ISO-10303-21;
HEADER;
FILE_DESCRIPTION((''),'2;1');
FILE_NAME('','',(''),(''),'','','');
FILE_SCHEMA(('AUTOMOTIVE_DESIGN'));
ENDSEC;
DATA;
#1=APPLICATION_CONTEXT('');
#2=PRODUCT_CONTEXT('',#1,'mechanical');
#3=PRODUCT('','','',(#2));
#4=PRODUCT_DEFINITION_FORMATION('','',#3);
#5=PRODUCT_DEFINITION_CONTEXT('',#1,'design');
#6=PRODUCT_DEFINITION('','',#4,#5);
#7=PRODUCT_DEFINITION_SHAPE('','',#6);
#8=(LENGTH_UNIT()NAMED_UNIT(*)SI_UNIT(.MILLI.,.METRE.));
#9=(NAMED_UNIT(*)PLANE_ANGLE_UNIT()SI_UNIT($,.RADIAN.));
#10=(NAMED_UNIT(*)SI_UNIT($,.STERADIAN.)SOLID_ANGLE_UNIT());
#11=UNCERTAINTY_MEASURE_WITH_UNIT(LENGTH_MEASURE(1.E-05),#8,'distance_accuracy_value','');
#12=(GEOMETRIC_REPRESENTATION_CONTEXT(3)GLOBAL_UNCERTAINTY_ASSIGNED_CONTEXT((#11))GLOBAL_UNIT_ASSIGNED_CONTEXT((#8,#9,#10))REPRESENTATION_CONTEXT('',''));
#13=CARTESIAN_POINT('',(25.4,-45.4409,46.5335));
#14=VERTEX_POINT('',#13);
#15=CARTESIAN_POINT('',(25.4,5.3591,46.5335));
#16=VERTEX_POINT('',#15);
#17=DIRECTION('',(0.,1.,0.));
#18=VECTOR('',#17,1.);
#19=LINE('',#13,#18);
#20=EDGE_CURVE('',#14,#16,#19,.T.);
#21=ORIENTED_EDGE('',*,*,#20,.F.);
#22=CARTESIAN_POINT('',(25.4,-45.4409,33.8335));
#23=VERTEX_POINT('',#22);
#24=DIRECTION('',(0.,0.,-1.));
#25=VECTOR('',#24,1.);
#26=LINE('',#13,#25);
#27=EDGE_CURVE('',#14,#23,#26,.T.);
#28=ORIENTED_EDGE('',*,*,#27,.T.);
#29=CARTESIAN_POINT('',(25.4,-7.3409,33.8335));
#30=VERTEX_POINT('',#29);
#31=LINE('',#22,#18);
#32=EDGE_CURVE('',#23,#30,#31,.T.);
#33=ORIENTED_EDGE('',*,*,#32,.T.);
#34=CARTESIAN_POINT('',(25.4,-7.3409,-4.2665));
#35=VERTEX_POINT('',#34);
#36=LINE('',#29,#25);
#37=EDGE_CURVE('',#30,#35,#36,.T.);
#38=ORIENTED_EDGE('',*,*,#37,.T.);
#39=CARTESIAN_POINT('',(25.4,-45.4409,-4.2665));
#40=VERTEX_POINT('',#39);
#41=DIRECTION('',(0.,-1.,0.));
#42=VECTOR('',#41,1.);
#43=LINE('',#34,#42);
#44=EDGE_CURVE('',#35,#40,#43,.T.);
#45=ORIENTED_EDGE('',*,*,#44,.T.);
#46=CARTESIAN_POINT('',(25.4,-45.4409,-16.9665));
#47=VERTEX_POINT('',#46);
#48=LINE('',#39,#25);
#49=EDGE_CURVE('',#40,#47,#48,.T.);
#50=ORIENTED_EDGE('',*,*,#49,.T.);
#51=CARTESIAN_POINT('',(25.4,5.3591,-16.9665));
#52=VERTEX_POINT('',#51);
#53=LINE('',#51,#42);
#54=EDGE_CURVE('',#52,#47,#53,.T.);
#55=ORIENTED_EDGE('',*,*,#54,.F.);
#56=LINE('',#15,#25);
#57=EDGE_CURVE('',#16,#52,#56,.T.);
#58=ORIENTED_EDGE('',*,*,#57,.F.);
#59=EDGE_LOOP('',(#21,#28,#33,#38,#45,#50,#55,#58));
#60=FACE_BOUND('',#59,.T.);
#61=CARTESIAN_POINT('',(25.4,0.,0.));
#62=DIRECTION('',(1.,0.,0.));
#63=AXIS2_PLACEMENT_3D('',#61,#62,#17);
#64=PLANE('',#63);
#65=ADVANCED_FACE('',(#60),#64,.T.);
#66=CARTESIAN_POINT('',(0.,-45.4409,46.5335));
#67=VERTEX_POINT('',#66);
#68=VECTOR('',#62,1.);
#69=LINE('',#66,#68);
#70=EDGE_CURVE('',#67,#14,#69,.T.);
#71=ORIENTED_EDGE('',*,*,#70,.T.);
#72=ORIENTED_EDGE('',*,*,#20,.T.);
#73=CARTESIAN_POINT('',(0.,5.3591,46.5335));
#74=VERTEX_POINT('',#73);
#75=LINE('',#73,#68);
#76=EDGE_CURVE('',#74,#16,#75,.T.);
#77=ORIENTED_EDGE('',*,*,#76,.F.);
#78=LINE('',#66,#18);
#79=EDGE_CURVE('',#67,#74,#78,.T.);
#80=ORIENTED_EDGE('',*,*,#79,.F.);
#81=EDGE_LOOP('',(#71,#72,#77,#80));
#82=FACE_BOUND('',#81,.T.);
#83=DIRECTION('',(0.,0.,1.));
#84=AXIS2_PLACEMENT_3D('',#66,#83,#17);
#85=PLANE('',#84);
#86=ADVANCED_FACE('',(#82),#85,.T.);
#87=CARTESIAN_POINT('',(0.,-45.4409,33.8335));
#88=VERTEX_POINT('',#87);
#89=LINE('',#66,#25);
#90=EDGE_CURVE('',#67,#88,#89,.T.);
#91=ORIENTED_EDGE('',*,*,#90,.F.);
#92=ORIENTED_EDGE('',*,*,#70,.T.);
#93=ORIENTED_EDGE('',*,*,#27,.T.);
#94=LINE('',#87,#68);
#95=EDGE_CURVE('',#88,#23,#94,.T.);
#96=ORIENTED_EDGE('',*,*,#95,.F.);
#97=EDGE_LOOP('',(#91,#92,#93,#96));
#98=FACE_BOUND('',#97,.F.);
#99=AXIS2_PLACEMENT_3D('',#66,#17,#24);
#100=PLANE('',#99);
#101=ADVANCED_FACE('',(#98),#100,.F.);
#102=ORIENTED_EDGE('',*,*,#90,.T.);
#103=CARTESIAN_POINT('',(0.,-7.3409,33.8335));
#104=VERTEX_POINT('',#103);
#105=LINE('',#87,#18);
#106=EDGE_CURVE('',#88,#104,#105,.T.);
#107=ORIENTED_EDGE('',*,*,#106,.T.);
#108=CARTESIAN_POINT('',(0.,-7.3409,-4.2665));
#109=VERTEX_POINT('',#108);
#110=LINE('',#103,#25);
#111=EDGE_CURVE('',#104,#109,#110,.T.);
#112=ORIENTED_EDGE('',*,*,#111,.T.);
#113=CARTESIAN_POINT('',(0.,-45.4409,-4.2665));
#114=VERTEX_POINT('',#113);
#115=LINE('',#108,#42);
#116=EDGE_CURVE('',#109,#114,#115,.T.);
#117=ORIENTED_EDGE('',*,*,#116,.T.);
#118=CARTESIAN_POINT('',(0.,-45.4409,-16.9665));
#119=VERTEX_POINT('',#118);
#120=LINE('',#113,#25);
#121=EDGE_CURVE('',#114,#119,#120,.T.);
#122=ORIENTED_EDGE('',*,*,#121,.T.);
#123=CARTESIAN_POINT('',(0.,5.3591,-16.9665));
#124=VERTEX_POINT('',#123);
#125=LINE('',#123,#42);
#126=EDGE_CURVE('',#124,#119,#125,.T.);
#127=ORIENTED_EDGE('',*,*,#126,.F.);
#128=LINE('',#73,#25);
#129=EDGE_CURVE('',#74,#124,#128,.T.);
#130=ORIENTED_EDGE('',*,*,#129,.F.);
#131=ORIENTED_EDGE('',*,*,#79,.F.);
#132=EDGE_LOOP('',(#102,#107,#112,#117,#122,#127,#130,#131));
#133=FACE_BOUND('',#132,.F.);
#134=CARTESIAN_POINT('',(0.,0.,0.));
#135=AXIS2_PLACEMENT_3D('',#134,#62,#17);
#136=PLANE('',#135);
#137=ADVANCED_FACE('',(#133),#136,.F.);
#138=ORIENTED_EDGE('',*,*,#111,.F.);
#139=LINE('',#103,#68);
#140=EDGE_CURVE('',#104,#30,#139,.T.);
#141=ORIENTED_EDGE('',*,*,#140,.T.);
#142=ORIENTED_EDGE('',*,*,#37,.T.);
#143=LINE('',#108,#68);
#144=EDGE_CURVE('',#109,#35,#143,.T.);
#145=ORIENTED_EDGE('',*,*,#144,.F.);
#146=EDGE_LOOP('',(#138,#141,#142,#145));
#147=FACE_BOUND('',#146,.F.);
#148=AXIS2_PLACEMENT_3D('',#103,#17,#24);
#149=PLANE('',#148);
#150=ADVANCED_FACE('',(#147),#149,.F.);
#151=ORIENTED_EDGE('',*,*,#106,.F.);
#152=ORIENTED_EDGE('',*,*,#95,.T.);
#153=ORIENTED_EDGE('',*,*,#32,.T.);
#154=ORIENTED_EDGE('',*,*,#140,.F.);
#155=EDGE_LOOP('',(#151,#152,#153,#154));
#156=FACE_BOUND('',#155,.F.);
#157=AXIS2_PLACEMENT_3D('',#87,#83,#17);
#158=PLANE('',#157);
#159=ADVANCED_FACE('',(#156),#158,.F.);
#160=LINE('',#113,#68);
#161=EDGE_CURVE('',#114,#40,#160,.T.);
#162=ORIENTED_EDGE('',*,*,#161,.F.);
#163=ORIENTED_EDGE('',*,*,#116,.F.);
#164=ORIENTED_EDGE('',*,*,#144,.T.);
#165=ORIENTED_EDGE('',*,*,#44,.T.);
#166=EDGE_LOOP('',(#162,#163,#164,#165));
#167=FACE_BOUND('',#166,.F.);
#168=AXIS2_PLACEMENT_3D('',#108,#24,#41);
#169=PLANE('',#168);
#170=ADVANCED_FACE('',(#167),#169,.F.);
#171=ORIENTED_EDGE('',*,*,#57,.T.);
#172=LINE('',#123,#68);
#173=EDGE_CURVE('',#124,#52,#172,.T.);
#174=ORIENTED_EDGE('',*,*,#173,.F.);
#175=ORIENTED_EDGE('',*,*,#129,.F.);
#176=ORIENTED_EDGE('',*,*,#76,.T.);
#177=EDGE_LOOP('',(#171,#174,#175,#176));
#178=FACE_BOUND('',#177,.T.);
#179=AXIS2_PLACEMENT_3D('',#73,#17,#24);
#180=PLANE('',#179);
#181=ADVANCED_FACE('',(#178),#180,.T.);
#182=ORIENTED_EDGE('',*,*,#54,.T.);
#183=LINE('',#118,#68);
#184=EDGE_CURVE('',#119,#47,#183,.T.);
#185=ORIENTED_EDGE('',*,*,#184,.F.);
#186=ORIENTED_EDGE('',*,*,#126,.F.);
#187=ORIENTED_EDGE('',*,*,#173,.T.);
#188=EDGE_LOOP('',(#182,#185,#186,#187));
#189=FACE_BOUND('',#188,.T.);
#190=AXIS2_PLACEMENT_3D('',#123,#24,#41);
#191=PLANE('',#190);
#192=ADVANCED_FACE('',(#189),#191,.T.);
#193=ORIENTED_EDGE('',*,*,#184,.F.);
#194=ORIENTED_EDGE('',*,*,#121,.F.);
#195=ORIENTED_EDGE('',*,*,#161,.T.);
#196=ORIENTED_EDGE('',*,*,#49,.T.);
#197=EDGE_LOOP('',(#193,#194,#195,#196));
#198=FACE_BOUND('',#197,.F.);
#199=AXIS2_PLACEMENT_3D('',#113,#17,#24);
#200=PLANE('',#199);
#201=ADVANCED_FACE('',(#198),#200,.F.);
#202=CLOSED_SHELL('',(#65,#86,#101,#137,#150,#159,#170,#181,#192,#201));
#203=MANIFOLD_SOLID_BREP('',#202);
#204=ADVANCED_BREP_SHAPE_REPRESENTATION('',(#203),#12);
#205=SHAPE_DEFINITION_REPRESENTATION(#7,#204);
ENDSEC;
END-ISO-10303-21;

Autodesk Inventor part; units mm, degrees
ref_plane "YZ Plane" through (0, 0, 0) normal (1, 0, 0) x (0, 1, 0)
ref_plane "XZ Plane" through (0, 0, 0) normal (0, 1, 0) x (-1, 0, 0)
ref_plane "XY Plane" through (0, 0, 0) normal (0, 0, 1) x (1, 0, 0)
sketch "Sketch1" plane through (0, 0, 0) normal (1, 0, 0) x (0, 1, 0)
  line L0 (-45.4409, 46.5335) -> (5.3591, 46.5335)
  line L1 (5.3591, 46.5335) -> (5.3591, -16.9665)
  line L2 (5.3591, -16.9665) -> (-45.4409, -16.9665)
  line L3 (-45.4409, 46.5335) -> (-45.4409, 33.8335)
  line L4 (-45.4409, 33.8335) -> (-7.3409, 33.8335)
  line L5 (-7.3409, 33.8335) -> (-7.3409, -4.2665)
  line L6 (-7.3409, -4.2665) -> (-45.4409, -4.2665)
  line L7 (-45.4409, -4.2665) -> (-45.4409, -16.9665)
  point P0 (0, 0)
  dimension "d0" = 63.5
  dimension "d1" = 50.8
  dimension "d2" = 50.8
  dimension "d3" = 12.7
  dimension "d4" = 38.1
  dimension "d5" = 38.1
extrude "Extrusion1" add sketch "Sketch1" along normal blind 25.4
properties part number "attach"
